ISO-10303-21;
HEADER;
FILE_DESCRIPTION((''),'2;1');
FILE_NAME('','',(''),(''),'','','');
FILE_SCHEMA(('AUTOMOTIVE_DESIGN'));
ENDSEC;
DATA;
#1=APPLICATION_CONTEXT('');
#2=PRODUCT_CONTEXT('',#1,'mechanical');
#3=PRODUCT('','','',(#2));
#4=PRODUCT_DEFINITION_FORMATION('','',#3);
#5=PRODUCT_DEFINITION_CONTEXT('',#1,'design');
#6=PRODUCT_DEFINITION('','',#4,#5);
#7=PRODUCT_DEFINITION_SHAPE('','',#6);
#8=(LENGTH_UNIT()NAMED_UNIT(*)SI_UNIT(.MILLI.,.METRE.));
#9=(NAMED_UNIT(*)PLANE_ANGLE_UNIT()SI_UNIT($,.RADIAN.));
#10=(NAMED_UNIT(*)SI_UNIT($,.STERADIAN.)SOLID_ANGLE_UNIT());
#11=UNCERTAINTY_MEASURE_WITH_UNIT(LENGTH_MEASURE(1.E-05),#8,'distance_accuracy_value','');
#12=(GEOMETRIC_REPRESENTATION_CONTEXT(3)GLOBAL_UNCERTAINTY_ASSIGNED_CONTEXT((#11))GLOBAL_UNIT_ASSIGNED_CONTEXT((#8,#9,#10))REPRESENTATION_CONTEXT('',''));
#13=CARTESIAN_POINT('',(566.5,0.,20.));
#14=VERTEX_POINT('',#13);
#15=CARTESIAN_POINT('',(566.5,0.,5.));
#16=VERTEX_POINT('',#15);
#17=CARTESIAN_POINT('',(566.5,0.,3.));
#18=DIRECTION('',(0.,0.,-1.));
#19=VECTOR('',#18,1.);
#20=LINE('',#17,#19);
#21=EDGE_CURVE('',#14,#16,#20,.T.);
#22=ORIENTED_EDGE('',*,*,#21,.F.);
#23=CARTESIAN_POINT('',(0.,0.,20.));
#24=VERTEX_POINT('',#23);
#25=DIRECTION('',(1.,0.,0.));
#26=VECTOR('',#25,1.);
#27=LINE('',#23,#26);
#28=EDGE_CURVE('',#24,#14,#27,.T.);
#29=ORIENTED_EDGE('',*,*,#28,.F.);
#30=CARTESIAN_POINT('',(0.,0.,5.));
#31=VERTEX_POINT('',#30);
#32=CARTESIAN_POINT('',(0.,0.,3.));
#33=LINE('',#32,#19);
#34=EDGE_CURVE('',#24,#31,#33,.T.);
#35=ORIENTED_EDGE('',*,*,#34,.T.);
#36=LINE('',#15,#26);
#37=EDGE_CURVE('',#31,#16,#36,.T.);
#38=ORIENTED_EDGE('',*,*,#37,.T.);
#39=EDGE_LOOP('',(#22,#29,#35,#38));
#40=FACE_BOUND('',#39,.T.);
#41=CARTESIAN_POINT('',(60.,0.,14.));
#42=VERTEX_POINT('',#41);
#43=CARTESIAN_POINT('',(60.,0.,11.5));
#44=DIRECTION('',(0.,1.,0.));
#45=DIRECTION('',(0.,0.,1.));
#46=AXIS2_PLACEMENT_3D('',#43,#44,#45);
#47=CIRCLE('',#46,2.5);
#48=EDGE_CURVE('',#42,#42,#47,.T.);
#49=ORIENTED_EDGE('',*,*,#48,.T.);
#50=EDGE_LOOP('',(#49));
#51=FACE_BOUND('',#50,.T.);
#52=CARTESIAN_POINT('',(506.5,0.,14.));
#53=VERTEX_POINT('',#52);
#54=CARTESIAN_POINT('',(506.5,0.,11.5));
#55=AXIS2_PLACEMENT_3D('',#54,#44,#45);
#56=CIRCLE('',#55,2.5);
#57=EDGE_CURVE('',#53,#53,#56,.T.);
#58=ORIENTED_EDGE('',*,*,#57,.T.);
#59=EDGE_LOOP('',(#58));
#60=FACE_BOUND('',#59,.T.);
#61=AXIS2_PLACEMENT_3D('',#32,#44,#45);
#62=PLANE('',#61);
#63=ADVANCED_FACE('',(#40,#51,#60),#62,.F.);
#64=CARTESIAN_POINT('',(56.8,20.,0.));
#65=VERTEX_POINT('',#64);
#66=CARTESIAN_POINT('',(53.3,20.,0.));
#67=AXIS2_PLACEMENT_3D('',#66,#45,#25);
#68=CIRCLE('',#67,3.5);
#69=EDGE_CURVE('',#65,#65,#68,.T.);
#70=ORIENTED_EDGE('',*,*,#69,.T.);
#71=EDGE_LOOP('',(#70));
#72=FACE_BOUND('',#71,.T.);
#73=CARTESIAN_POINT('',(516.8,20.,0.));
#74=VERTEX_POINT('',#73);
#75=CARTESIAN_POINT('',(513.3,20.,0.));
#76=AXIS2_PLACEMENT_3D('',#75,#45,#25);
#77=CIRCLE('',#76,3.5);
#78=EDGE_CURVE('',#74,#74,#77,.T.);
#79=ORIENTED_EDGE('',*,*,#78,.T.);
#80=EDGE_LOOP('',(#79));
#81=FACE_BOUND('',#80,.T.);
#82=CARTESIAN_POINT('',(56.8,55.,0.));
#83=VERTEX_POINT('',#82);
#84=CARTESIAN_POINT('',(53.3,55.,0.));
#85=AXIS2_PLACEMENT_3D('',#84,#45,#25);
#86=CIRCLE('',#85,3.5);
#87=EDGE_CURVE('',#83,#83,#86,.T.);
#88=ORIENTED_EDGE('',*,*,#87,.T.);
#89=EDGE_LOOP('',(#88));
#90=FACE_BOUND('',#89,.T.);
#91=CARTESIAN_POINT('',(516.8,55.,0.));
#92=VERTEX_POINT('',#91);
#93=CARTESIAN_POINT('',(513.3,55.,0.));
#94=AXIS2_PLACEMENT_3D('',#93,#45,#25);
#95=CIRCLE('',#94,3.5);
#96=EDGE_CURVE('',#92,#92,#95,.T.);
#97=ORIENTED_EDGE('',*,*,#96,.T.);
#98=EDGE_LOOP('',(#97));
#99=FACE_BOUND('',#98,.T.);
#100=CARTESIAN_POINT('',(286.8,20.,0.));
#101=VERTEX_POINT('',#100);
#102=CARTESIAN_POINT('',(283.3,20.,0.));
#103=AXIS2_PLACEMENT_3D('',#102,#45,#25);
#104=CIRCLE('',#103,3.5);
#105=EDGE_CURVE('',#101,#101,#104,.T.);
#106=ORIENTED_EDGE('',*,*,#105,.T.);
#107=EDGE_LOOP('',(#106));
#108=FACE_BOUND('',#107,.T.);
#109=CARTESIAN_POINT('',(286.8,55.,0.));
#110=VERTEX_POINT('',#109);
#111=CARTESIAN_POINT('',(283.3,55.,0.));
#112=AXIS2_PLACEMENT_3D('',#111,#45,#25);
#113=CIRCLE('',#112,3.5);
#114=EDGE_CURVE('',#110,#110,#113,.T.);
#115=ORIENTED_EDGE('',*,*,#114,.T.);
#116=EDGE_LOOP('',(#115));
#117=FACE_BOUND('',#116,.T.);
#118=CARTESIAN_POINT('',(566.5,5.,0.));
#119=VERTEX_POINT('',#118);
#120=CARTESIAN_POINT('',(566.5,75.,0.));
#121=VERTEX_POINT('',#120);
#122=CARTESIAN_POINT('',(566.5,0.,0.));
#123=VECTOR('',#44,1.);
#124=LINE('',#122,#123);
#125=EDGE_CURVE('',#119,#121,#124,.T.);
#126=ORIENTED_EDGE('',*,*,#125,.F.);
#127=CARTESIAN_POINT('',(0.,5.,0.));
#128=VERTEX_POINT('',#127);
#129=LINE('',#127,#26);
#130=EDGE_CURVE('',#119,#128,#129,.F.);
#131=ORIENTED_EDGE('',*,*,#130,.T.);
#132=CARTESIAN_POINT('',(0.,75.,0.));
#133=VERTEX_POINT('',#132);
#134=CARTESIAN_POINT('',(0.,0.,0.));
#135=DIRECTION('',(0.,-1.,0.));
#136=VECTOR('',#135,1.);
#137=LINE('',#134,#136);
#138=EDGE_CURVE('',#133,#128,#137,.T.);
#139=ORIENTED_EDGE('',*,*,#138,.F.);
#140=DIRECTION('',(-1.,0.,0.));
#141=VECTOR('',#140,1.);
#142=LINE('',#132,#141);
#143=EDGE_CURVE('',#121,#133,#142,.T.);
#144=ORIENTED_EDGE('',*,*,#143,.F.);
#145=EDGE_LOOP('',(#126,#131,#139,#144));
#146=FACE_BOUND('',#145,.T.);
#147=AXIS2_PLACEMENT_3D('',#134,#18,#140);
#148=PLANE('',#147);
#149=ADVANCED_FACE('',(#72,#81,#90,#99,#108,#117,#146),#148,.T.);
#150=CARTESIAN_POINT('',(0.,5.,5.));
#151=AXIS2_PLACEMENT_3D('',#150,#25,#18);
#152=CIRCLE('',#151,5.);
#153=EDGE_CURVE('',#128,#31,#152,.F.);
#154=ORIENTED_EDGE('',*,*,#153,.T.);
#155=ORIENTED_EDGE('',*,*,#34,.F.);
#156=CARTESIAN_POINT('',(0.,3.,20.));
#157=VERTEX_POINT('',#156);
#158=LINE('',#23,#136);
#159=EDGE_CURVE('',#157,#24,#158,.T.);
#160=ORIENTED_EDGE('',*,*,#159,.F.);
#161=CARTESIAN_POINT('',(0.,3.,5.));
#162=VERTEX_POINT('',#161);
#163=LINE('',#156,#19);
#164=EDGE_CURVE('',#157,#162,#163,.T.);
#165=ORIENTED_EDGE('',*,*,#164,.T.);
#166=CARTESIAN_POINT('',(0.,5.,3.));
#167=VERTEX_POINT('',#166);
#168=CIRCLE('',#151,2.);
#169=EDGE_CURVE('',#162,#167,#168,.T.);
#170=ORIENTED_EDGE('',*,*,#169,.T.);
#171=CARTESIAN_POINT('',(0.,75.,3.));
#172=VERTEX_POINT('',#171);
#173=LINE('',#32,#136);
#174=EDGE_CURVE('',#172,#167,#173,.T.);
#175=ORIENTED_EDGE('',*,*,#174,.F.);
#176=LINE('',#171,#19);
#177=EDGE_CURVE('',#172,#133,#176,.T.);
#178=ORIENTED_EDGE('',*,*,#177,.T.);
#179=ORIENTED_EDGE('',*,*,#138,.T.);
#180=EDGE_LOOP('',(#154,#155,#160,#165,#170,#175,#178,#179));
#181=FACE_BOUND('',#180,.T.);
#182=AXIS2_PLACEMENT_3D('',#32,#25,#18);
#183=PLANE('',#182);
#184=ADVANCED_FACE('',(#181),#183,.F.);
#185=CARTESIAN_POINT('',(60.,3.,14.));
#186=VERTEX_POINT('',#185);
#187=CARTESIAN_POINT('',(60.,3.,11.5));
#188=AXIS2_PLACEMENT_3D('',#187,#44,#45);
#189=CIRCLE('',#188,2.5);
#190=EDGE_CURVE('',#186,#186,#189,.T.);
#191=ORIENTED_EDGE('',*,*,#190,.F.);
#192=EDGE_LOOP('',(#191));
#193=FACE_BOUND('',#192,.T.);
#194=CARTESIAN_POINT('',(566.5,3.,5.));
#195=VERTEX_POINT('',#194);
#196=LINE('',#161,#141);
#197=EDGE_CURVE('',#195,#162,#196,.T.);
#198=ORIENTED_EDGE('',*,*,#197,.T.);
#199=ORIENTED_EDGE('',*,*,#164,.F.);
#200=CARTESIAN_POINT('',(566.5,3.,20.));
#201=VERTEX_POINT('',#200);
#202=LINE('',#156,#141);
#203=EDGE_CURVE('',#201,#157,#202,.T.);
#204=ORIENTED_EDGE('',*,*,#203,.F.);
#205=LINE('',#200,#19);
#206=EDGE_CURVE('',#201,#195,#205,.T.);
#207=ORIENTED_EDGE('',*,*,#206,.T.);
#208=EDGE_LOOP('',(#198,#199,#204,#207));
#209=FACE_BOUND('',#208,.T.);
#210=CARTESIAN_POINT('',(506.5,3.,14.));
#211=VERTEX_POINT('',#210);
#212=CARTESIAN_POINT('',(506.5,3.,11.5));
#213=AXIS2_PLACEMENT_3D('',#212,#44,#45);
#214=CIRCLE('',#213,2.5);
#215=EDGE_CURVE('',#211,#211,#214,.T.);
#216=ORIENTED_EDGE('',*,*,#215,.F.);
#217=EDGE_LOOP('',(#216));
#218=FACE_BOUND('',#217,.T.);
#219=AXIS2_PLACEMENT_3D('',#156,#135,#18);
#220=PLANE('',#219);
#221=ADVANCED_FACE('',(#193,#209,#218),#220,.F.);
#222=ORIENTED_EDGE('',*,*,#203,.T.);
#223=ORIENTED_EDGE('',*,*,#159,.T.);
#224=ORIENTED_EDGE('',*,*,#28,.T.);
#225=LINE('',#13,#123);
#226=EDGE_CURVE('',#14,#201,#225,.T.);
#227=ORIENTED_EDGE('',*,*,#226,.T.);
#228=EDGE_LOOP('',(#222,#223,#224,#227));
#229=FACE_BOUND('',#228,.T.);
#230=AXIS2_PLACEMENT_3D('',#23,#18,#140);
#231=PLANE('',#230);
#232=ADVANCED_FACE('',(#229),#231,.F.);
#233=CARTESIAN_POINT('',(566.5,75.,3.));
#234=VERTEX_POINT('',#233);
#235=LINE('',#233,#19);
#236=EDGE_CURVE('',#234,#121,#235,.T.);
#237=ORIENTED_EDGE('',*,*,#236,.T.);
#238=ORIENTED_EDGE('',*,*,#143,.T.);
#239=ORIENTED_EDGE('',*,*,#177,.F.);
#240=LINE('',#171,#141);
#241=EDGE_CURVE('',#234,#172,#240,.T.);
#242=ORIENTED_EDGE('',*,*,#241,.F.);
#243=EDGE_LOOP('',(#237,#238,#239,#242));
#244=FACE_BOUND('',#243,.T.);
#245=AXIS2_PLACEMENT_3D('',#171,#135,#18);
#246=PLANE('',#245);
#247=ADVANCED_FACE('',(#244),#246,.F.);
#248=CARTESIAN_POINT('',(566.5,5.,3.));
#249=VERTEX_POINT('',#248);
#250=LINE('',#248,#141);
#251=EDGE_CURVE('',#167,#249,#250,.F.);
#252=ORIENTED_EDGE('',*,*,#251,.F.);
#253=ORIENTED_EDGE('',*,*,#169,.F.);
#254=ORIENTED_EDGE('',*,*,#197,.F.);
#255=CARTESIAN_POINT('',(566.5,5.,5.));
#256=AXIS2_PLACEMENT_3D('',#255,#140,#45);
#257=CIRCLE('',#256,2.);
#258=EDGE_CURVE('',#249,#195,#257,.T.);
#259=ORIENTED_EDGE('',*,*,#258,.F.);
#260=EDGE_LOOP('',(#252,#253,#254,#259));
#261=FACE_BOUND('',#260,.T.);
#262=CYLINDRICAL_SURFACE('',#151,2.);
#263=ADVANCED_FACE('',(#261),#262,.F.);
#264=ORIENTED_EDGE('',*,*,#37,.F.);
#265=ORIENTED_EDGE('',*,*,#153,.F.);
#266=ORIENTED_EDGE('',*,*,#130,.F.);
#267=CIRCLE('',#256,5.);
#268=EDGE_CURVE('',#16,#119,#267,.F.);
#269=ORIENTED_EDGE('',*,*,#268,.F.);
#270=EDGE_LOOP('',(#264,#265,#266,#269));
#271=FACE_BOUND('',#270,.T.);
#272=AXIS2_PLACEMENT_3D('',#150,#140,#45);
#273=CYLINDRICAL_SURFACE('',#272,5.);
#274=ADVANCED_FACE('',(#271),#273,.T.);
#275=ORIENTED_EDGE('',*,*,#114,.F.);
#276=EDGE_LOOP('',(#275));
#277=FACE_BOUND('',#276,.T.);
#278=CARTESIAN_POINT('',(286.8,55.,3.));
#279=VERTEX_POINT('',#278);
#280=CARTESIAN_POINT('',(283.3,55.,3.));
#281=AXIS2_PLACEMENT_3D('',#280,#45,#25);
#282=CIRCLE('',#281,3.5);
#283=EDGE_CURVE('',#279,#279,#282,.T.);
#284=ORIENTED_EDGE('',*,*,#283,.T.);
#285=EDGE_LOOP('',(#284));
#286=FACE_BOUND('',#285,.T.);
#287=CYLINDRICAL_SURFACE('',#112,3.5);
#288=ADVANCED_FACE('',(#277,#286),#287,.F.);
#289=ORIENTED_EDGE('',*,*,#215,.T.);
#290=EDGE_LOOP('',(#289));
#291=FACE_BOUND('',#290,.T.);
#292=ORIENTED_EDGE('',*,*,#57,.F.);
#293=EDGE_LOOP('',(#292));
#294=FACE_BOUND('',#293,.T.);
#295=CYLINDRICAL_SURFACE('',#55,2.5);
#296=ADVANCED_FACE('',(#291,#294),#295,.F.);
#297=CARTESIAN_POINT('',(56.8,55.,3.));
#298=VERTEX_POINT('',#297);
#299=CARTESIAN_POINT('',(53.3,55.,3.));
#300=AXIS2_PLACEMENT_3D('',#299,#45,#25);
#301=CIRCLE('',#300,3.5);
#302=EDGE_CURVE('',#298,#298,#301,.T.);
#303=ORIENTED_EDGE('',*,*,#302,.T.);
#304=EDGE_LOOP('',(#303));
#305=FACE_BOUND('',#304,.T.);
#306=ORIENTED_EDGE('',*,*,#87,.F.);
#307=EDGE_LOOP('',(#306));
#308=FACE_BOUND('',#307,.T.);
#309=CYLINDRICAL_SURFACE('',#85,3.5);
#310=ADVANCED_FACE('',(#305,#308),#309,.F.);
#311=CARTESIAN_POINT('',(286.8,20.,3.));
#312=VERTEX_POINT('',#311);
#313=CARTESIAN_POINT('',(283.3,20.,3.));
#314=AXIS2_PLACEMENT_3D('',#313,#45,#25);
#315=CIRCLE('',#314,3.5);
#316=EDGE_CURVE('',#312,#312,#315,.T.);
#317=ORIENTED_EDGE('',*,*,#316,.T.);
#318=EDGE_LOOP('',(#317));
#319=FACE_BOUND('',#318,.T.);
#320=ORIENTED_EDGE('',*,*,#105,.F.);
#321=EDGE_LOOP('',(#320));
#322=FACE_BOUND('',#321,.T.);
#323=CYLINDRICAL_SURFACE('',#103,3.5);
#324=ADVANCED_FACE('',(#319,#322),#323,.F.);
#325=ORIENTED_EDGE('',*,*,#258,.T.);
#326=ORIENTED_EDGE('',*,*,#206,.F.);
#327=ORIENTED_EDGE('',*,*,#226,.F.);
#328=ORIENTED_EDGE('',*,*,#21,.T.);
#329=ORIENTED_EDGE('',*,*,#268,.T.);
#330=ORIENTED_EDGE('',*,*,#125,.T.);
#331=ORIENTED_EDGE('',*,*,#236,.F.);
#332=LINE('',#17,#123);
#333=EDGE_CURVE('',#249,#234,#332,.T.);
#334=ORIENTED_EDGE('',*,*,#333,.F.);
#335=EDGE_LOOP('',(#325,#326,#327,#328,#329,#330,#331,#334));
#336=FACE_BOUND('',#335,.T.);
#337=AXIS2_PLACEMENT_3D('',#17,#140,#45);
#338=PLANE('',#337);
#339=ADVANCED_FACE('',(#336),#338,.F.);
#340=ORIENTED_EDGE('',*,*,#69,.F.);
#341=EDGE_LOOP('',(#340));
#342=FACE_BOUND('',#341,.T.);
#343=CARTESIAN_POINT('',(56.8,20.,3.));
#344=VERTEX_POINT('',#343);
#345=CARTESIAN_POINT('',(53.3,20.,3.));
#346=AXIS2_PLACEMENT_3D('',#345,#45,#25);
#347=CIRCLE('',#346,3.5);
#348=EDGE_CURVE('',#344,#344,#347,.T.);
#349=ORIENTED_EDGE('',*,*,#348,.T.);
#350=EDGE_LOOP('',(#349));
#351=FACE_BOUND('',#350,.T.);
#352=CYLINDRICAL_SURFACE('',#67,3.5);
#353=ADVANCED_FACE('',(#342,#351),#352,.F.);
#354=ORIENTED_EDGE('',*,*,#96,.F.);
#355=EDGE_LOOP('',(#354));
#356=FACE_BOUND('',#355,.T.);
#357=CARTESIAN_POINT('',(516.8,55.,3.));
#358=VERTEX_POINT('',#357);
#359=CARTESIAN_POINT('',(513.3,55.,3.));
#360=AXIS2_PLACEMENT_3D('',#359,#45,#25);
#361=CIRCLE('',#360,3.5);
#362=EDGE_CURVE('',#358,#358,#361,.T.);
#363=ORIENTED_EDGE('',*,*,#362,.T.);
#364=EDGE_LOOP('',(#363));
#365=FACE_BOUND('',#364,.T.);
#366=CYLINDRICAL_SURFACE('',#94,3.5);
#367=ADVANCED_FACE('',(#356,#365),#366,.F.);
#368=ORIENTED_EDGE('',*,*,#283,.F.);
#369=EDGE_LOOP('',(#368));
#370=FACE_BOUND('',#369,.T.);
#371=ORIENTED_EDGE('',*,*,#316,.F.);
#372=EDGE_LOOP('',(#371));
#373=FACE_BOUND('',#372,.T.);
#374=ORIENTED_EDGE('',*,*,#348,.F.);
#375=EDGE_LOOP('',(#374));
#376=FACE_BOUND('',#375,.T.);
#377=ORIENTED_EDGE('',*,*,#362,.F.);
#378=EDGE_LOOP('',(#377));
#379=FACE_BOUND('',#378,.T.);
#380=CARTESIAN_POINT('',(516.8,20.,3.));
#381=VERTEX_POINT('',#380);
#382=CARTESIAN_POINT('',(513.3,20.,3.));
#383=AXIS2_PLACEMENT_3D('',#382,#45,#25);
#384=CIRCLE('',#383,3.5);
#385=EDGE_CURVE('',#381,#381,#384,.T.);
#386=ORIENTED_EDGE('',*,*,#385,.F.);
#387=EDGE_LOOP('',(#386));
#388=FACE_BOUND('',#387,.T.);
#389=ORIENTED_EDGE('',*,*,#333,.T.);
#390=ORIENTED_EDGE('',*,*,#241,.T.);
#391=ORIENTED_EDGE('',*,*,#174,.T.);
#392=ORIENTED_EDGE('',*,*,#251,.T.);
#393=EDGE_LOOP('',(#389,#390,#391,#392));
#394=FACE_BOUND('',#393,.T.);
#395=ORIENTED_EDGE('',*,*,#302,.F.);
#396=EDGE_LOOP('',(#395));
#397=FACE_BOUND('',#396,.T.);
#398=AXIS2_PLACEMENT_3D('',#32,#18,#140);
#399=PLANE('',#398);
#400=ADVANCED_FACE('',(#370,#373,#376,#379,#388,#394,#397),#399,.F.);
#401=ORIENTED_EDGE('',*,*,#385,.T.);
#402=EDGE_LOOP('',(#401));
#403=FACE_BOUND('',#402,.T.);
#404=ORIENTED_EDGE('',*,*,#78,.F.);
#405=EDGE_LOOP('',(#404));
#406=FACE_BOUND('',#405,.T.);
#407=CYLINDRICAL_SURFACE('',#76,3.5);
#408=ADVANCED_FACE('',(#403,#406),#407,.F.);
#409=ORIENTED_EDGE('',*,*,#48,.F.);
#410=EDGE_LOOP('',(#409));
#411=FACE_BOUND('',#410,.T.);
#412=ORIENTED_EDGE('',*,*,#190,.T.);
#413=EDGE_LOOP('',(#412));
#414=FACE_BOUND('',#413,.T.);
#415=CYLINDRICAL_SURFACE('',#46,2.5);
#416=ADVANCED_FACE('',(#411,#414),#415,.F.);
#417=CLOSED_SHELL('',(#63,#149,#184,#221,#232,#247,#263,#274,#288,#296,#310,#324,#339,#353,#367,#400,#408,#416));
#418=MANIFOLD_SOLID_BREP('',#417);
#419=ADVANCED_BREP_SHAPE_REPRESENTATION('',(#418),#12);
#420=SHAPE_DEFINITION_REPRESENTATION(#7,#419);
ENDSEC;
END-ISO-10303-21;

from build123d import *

# Parameters (mm, degrees)
SKETCH_1_W          = 566.5
SKETCH_1_H          = 75
EXTRUDE_1_DEPTH     = 3
SKETCH_2_W          = 566.5
SKETCH_2_H          = 3
EXTRUDE_2_DEPTH     = 17
SKETCH_3_R          = 3.5
CUT_EXTRUDE_1_DEPTH = 572.695941913
SKETCH_4_R          = 2.5
CUT_EXTRUDE_2_DEPTH = 572.407254067
FILLET_2_R          = 2
FILLET_3_R          = 5


with BuildPart() as part:
    # 스케치1 → 보스-돌출1 (new body)
    with BuildSketch(Plane.XY):
        with Locations((283.25, 37.5)):
            Rectangle(SKETCH_1_W, SKETCH_1_H)
    extrude(amount=EXTRUDE_1_DEPTH)

    # 스케치2 → 보스-돌출2 (add)
    with BuildSketch(Plane.XY.offset(3)):
        with Locations((283.25, 1.5)):
            Rectangle(SKETCH_2_W, SKETCH_2_H)
    extrude(amount=EXTRUDE_2_DEPTH)

    # 스케치3 → 컷-돌출1 (cut, through all)
    with BuildSketch(Plane.XY.offset(3)):
        with Locations((53.3, 55)):
            Circle(SKETCH_3_R)
        with Locations((53.3, 20)):
            Circle(SKETCH_3_R)
        with Locations((283.3, 55)):
            Circle(SKETCH_3_R)
        with Locations((283.3, 20)):
            Circle(SKETCH_3_R)
        with Locations((513.3, 55)):
            Circle(SKETCH_3_R)
        with Locations((513.3, 20)):
            Circle(SKETCH_3_R)
    extrude(amount=-CUT_EXTRUDE_1_DEPTH, mode=Mode.SUBTRACT)

    # 스케치4 → 컷-돌출2 (cut, through all)
    with BuildSketch(Plane(origin=(0, 3, 0), x_dir=(1, 0, 0), z_dir=(0, 1, 0))):
        with Locations(Location((60, -11.5, 0), (0, 0, 270))):
            Circle(SKETCH_4_R)
        with Locations(Location((506.5, -11.5, 0), (0, 0, 270))):
            Circle(SKETCH_4_R)
    extrude(amount=-CUT_EXTRUDE_2_DEPTH, mode=Mode.SUBTRACT)

    # 필렛2
    fillet_2_edges = [part.edges().sort_by_distance(p)[0] for p in [
        (283.25, 3, 3),
    ]]
    fillet(fillet_2_edges, radius=FILLET_2_R)

    # 필렛3
    fillet_3_edges = [part.edges().sort_by_distance(p)[0] for p in [
        (283.25, 0, 0),
    ]]
    fillet(fillet_3_edges, radius=FILLET_3_R)


solid = part.part
